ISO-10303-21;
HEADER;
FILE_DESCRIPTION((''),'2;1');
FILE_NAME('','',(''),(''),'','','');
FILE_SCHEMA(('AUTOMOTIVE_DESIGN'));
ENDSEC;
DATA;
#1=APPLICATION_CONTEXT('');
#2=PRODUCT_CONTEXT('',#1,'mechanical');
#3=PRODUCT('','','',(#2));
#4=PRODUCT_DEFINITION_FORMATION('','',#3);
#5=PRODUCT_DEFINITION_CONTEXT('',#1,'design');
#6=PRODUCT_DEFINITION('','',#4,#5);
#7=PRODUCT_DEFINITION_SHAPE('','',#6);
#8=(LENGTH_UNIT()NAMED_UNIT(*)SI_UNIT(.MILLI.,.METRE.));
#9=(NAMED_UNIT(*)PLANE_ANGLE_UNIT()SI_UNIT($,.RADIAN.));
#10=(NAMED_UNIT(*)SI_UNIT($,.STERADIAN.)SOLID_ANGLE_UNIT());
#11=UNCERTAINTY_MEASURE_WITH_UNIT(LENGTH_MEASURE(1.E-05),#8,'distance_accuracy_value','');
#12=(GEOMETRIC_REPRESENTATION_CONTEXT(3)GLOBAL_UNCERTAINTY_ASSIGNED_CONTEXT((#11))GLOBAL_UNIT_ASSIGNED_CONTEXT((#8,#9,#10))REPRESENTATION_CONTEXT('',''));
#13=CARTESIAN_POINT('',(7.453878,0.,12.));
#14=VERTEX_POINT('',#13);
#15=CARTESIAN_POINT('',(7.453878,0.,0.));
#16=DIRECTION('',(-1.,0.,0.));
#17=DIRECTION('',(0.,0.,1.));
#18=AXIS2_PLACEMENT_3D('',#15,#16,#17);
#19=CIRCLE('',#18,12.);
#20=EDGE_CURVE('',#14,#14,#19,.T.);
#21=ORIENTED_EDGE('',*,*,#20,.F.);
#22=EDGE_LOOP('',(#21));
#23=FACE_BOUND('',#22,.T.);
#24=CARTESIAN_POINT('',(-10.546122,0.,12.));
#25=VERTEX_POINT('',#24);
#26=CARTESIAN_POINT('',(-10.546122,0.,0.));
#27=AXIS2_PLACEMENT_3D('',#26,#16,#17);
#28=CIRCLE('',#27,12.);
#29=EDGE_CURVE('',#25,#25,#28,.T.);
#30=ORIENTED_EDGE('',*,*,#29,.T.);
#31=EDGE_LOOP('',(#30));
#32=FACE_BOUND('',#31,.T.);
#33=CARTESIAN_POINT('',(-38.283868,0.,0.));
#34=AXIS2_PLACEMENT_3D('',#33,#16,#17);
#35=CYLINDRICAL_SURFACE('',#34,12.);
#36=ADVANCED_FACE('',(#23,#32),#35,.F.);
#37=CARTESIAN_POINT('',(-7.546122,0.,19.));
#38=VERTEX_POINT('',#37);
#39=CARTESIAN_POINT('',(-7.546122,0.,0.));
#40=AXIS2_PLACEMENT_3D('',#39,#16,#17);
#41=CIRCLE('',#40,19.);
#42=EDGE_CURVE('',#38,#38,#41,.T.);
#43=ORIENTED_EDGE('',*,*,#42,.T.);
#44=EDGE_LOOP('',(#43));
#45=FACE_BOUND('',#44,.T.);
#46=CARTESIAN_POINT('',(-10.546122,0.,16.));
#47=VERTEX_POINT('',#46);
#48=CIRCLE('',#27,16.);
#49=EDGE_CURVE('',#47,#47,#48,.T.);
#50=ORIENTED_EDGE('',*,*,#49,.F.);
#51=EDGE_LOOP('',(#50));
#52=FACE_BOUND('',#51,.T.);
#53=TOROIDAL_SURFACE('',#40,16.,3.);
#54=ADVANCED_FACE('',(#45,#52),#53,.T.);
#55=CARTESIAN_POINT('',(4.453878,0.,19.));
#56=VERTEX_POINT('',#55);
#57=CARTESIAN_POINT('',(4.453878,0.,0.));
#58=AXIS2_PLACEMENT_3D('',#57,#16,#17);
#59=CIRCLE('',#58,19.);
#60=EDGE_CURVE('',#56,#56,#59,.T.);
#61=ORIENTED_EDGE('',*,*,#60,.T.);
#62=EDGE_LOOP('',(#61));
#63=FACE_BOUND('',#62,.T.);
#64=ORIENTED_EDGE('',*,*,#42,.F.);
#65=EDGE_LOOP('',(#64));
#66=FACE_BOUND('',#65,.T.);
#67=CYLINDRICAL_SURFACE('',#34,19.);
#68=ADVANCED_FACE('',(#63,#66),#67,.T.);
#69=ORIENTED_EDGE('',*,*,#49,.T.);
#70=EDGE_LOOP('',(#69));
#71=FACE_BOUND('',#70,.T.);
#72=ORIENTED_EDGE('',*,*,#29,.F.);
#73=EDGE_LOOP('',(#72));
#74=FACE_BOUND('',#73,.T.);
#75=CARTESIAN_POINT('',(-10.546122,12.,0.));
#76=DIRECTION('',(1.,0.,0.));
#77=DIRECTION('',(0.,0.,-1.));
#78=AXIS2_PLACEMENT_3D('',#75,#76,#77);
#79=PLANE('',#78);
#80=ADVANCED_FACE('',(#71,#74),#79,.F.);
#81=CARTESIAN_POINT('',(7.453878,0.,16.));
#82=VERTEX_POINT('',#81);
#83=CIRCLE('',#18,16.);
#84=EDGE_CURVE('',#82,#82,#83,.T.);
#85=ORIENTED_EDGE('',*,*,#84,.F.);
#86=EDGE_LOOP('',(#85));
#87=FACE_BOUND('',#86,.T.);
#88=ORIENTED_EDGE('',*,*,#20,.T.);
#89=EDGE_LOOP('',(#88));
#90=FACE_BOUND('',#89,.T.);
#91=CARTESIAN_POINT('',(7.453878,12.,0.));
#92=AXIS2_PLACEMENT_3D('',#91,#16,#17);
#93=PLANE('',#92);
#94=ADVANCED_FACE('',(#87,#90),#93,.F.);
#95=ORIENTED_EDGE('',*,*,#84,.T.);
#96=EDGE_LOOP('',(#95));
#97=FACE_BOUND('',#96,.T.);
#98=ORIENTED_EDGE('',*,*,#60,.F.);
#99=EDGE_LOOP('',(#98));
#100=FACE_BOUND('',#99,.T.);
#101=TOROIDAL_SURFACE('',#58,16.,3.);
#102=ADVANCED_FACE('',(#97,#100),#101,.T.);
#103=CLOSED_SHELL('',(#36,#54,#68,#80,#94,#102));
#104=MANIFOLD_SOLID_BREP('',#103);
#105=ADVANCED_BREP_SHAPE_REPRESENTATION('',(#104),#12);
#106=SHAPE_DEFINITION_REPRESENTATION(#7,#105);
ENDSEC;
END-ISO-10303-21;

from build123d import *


with BuildPart() as part:
    # Эскиз1 → Повернуть1 (revolve)
    with BuildSketch(Plane.XY, mode=Mode.PRIVATE) as revolve_1_sk:
        with BuildLine():
            Line((-10.546122027, 12), (7.453877973, 12))
            Line((7.453877973, 12), (7.453877973, 16))
            ThreePointArc((7.453877973, 16), (6.575198317, 18.121320344), (4.453877973, 19))
            Line((4.453877973, 19), (-7.546122027, 19))
            ThreePointArc((-7.546122027, 19), (-9.66744237, 18.121320344), (-10.546122027, 16))
            Line((-10.546122027, 16), (-10.546122027, 12))
        make_face()
    revolve(revolve_1_sk.sketch.rotate(Axis((-38.283867632, 0, 0), (1, 0, 0)), 90), axis=Axis((-38.283867632, 0, 0), (1, 0, 0)))


solid = part.part
